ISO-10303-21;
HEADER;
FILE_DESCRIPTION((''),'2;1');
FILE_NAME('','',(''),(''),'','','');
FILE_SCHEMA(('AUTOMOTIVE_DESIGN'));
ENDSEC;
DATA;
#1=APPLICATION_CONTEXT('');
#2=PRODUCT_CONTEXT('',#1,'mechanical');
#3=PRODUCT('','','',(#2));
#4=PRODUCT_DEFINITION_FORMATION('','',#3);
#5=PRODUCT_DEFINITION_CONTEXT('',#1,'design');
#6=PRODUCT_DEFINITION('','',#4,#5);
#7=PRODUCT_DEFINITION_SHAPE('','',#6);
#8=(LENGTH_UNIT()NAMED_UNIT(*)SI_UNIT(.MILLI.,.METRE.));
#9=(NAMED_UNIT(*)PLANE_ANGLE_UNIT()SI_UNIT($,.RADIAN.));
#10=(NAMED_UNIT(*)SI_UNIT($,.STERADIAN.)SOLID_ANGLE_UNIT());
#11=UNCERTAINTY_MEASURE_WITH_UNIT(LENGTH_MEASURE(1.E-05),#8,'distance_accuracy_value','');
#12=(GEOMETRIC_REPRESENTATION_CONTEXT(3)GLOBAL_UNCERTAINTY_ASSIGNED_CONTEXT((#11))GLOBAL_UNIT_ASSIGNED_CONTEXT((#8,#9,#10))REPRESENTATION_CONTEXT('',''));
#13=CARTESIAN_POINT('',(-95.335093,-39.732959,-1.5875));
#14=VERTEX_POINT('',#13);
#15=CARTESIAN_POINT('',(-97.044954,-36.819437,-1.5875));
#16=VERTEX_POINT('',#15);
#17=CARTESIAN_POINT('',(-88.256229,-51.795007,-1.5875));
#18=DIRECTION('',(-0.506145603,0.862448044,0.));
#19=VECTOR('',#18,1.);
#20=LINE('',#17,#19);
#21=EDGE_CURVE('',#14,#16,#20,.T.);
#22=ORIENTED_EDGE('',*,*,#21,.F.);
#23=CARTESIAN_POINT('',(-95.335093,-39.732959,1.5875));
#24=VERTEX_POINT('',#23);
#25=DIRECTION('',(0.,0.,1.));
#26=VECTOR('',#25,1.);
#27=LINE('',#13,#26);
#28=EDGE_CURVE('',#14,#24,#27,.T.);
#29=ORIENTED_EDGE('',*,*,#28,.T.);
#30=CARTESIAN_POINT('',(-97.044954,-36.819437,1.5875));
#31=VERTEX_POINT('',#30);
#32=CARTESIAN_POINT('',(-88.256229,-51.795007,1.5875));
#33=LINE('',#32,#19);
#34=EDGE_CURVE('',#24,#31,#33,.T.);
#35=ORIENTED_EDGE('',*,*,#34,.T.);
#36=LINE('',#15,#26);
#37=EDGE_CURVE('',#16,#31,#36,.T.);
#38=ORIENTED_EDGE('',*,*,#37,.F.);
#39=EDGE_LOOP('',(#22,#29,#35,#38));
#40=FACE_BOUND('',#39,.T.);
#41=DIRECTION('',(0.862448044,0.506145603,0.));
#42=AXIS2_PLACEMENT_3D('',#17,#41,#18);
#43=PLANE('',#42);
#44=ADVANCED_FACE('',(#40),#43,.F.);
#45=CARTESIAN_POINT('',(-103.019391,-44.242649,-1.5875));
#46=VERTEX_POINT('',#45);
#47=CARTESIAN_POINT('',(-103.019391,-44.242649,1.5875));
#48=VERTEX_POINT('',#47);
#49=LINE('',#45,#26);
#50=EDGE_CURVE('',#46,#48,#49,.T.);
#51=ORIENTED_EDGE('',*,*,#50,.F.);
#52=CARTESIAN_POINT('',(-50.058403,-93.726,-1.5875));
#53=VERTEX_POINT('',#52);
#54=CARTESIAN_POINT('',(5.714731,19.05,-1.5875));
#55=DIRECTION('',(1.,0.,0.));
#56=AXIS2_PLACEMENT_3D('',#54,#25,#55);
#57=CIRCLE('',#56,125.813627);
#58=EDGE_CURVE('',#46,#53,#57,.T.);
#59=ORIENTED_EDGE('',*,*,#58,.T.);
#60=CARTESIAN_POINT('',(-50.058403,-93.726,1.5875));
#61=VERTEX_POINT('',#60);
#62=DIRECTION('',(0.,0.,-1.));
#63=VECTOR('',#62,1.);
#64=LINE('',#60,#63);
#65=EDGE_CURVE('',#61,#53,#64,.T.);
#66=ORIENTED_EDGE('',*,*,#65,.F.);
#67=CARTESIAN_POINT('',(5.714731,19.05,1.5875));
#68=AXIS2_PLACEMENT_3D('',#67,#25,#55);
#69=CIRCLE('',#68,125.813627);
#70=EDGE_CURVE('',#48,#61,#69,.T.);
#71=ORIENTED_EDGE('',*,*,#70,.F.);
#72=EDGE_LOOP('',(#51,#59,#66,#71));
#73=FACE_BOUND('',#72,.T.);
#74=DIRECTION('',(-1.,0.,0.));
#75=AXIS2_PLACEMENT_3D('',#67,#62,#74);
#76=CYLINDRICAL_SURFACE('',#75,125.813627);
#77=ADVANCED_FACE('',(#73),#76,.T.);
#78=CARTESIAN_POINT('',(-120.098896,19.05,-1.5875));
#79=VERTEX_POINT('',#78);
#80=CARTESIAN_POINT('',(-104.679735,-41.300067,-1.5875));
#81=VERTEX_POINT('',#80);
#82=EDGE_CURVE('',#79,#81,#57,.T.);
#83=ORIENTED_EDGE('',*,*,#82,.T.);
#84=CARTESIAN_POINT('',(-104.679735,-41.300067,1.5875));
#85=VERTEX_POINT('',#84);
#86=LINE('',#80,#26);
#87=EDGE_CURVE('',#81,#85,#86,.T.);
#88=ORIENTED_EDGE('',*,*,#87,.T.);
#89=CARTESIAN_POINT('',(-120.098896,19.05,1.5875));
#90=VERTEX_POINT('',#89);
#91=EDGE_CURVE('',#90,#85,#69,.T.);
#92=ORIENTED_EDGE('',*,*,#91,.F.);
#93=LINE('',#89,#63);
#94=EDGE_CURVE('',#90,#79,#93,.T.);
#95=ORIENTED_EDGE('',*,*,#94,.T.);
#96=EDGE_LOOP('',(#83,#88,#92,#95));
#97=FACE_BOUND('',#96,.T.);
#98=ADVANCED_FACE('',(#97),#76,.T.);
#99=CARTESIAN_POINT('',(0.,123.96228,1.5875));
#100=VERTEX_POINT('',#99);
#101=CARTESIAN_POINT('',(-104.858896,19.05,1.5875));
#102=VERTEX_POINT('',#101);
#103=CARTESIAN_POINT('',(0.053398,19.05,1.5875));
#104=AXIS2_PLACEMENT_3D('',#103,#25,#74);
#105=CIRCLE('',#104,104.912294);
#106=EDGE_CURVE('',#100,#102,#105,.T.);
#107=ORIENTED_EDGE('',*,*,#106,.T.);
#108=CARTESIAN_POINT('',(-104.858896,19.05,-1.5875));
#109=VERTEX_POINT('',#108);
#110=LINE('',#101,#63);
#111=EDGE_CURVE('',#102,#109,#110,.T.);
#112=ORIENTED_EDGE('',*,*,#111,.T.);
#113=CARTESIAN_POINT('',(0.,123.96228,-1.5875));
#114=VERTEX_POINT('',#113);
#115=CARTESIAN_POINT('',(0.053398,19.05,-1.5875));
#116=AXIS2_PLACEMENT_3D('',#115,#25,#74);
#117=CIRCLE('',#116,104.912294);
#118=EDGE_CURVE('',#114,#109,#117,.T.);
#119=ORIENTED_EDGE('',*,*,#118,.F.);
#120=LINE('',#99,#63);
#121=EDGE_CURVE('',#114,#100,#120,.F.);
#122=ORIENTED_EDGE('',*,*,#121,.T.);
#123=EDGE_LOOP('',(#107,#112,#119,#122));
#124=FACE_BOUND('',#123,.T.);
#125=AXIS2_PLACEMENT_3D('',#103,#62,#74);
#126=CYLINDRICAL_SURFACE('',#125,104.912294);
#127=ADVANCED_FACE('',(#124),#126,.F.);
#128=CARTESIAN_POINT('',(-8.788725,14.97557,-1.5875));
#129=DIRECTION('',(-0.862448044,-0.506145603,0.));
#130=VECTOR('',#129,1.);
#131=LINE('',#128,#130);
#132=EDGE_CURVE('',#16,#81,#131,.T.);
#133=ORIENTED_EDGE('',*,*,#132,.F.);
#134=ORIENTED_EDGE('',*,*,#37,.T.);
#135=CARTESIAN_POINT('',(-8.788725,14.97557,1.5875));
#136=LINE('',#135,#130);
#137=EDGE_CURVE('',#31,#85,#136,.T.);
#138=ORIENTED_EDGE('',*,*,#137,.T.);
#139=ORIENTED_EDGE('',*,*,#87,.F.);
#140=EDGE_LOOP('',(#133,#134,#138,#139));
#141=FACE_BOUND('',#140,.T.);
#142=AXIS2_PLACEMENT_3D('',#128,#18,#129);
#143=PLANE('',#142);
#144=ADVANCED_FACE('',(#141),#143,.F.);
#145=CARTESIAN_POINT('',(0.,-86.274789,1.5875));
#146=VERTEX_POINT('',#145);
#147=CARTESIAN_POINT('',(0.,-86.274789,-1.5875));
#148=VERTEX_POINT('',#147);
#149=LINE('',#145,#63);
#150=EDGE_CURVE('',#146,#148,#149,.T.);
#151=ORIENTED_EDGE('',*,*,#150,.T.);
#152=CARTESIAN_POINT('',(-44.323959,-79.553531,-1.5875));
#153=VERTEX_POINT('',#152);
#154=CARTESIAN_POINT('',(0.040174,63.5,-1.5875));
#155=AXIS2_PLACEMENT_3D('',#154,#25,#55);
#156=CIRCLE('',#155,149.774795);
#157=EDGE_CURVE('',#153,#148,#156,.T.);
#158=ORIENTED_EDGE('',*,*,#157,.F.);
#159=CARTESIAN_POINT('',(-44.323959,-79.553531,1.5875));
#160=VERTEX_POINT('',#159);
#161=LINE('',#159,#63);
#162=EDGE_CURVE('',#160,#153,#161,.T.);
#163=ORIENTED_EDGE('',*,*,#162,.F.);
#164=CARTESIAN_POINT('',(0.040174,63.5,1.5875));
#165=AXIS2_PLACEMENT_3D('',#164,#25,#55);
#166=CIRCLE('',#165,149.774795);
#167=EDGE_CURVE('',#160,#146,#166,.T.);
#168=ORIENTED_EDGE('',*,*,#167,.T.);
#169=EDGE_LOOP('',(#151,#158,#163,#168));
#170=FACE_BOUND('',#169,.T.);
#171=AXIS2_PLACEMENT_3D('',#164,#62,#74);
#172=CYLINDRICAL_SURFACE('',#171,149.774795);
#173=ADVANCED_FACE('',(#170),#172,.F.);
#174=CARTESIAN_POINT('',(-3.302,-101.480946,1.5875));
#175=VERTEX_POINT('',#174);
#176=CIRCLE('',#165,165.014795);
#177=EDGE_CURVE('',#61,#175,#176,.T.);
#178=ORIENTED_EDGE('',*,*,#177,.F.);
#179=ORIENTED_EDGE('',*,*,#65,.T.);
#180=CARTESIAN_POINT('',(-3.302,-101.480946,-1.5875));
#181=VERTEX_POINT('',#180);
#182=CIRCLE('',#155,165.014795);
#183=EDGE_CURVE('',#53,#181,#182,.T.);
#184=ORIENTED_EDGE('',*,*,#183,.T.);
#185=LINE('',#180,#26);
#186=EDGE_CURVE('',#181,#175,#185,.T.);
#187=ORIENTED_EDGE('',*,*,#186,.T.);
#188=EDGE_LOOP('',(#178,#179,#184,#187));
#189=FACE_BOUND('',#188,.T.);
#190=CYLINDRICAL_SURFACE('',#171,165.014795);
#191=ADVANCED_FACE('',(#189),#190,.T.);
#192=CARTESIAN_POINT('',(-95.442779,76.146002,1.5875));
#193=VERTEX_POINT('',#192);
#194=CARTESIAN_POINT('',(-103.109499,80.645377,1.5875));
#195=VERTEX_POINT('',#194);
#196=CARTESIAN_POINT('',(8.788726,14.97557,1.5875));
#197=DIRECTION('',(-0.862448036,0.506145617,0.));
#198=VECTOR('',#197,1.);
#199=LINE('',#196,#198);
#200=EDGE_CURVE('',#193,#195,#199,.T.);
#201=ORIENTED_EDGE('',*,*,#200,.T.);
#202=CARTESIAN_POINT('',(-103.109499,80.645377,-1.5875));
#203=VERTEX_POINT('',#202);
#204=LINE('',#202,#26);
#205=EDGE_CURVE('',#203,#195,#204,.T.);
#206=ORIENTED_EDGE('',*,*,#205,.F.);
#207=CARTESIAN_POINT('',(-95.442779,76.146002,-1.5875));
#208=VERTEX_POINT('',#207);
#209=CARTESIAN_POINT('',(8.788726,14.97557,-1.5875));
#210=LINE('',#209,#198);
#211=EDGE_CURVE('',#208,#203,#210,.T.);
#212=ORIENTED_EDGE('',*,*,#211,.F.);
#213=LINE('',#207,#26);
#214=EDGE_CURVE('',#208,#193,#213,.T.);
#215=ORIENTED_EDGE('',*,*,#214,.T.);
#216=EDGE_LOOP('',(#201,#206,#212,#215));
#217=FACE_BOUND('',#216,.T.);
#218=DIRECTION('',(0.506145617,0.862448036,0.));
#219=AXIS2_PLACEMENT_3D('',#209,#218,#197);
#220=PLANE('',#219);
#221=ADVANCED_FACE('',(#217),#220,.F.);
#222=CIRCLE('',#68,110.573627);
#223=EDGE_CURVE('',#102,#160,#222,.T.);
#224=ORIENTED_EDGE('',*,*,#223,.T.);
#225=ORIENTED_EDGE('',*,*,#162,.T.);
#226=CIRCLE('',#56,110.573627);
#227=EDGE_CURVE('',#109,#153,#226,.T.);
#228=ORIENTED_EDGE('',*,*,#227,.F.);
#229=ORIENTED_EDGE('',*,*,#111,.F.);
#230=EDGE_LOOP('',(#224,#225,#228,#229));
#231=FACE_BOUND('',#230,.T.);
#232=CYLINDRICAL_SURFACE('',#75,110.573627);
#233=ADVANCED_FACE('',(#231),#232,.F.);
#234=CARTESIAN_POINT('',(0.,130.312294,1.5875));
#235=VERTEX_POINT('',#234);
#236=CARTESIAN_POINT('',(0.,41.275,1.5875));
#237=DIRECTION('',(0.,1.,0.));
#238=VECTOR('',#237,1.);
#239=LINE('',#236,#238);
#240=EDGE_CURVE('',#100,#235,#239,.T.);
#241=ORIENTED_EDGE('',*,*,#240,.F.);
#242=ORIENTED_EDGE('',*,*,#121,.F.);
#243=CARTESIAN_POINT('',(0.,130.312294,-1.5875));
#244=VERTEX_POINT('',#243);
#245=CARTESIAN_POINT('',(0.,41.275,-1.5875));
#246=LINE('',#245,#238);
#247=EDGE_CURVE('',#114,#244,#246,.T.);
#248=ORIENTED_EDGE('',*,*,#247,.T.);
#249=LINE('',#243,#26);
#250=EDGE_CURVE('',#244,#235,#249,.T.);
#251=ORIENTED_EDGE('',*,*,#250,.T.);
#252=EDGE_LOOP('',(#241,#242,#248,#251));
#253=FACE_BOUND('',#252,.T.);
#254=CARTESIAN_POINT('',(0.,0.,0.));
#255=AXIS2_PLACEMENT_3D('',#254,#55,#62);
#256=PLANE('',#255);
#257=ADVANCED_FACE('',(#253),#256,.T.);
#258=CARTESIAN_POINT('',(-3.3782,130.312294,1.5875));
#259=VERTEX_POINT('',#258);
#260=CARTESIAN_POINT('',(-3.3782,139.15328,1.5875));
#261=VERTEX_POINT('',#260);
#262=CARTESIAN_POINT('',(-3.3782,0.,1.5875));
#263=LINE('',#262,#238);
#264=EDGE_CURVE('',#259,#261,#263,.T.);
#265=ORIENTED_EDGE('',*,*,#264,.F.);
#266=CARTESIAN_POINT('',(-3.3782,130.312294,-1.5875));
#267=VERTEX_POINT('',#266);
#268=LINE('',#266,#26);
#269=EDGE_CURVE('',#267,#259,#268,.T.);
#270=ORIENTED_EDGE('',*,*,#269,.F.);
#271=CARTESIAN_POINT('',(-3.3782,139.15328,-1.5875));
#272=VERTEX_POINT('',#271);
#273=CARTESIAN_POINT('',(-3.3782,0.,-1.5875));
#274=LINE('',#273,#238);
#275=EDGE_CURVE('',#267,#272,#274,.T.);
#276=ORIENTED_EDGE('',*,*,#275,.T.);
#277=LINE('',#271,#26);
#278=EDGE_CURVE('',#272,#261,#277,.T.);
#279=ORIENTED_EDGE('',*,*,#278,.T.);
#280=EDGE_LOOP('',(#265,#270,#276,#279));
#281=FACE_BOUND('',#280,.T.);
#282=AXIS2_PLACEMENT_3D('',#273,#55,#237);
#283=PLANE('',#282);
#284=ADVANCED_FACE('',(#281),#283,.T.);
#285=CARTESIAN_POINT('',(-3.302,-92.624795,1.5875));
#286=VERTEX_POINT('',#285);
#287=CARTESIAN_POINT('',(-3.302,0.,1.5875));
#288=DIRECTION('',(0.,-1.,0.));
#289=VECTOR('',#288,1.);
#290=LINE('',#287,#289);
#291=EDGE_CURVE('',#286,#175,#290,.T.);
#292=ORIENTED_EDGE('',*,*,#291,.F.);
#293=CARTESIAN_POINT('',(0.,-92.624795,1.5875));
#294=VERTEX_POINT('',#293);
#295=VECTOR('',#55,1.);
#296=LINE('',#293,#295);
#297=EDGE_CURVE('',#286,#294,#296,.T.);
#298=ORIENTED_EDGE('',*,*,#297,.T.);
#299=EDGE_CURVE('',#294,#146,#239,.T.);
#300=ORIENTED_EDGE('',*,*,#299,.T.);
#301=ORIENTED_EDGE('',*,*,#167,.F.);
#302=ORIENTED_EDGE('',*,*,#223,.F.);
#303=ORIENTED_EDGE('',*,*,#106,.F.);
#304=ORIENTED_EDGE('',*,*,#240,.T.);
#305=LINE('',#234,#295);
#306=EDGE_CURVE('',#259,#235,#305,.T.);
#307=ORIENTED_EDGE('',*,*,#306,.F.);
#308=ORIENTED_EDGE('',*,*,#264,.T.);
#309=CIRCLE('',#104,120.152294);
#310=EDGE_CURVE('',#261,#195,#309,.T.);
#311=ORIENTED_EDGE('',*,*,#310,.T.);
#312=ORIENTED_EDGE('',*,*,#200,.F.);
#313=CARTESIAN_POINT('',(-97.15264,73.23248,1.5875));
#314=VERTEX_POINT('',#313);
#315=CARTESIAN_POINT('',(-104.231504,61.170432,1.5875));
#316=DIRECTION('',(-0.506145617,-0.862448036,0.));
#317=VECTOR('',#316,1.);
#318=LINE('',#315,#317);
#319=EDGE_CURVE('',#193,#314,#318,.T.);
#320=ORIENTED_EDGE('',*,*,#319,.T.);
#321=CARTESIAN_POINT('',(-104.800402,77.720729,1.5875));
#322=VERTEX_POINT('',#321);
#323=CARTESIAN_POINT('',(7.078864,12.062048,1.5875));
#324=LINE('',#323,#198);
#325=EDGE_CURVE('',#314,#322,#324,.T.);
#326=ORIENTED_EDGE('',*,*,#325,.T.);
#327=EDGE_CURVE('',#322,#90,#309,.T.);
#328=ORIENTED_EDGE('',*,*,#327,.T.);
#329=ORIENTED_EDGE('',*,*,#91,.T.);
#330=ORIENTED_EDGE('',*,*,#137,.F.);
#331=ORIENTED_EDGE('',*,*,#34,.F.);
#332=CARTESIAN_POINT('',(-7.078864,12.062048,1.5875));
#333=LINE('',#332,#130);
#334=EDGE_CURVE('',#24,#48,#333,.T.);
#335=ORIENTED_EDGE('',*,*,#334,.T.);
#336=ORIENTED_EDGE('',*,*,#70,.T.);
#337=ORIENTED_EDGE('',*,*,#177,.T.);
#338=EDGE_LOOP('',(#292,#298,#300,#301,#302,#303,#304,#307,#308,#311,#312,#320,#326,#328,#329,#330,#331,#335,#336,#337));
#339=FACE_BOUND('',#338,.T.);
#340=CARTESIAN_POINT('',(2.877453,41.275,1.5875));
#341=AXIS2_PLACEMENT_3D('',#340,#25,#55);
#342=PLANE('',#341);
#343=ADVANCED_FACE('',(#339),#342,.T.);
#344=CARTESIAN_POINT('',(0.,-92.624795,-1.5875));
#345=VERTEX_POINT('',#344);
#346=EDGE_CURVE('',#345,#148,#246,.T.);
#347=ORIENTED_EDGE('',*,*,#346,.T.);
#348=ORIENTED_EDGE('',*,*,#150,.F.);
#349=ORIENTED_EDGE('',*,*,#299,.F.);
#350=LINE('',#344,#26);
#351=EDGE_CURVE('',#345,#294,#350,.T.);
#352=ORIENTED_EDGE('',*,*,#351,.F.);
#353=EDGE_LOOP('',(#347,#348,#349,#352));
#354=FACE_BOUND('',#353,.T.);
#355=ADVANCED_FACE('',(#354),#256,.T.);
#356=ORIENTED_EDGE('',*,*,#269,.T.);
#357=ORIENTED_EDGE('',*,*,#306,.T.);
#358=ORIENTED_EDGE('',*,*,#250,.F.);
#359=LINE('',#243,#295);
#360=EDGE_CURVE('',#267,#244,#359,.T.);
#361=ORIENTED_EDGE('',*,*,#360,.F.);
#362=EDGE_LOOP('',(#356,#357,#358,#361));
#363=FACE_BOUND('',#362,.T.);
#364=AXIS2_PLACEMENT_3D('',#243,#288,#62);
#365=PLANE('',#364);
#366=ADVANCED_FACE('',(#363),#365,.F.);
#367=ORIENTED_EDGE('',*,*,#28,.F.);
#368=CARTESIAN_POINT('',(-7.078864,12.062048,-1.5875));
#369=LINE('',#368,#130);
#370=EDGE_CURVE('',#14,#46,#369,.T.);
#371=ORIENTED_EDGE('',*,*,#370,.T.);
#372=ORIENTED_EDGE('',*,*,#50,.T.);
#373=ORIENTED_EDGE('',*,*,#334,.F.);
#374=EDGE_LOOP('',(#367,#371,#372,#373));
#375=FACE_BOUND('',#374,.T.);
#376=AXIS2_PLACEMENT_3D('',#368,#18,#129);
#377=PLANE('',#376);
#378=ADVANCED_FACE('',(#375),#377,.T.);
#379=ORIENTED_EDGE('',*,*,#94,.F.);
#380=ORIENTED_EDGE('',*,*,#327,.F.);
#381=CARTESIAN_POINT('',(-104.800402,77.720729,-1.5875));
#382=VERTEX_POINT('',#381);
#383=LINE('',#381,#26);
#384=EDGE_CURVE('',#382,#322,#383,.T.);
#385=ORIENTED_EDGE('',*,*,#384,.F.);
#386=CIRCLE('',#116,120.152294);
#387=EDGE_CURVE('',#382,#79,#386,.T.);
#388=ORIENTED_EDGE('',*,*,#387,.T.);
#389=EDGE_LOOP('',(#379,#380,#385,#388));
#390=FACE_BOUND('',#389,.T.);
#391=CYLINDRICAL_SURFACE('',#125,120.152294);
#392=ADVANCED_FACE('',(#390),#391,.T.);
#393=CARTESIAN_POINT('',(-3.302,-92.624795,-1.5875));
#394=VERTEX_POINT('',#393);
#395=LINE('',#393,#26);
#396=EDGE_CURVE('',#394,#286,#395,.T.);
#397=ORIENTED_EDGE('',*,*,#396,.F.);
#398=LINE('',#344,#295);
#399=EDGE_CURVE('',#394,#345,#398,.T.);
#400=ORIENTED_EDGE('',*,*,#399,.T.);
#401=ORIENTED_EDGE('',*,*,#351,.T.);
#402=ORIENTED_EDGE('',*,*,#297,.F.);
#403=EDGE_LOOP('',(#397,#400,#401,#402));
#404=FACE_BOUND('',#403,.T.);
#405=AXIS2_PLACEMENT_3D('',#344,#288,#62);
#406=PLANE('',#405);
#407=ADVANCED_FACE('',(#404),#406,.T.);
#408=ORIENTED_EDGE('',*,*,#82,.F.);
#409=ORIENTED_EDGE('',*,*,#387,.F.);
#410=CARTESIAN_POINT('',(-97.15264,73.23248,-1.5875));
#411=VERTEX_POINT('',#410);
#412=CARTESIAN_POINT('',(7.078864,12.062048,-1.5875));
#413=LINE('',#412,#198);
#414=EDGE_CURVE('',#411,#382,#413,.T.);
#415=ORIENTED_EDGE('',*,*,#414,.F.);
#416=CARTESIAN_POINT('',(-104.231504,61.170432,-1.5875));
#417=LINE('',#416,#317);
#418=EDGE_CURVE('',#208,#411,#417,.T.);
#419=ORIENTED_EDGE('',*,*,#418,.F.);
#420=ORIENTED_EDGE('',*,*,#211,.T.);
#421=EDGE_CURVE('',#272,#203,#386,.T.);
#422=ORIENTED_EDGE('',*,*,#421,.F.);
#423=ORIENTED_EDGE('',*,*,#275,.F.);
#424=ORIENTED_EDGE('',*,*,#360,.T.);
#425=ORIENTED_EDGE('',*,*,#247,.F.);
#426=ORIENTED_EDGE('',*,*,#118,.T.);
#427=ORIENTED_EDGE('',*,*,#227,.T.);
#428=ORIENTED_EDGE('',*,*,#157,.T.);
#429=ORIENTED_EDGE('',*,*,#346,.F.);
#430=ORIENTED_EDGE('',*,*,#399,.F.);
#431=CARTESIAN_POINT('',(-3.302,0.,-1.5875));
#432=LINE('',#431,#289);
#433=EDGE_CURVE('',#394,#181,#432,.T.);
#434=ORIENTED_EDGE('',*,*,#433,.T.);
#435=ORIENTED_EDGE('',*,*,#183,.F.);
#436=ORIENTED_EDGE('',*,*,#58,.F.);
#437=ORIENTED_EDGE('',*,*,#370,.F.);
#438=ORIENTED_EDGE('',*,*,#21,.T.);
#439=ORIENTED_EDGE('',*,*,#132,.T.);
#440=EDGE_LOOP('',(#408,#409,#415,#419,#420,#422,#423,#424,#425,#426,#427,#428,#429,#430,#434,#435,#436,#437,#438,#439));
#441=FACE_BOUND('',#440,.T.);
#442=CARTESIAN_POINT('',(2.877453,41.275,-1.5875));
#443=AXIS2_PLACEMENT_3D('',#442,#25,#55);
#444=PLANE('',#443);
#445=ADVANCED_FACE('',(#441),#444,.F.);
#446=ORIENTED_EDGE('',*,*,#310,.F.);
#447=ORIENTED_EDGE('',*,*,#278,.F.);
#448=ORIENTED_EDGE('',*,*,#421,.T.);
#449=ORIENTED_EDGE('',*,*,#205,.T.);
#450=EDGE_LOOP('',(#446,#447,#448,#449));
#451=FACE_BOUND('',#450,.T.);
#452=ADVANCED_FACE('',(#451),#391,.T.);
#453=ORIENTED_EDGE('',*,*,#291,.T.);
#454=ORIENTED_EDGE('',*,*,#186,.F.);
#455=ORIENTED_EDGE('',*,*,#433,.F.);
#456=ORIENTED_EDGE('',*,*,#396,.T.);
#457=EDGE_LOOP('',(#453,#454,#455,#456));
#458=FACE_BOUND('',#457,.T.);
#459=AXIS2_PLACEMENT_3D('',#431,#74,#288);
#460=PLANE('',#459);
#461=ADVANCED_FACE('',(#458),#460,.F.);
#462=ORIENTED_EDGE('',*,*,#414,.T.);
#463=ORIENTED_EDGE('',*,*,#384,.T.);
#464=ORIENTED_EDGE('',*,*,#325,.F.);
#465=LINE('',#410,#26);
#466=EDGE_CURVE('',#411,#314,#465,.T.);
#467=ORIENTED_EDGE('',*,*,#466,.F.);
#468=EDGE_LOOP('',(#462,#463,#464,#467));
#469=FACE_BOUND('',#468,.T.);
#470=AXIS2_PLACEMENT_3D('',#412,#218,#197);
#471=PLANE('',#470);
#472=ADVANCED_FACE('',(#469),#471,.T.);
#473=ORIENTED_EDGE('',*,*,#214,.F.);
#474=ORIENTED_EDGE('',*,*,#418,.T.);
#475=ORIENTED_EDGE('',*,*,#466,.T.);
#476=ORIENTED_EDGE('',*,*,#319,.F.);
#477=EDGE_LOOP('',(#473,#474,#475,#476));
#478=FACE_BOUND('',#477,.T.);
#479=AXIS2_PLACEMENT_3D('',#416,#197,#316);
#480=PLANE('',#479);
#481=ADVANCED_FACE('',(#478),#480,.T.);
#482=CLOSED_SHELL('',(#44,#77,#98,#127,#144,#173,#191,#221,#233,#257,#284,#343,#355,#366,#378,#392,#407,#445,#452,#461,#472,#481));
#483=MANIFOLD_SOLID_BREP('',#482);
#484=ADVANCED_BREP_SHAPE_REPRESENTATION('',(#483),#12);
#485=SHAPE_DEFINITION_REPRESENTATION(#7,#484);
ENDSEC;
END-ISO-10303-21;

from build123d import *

# Parameters (mm, degrees)
BOSS_EXTRUDE1_DEPTH = 1.5875
SKETCH3_W           = 208.645691316
SKETCH3_H           = 383.026987577
CUT_EXTRUDE1_DEPTH  = 121.20569203
CUT_EXTRUDE2_DEPTH  = 4.175


with BuildPart() as part:
    # Sketch2 → Boss-Extrude1 (new body, symmetric)
    with BuildSketch(Plane.XY):
        with BuildLine():
            ThreePointArc((-120.098895727, 19.05), (0.406748907, 139.2017743), (120.203613722, 18.343301545))
            ThreePointArc((120.203613722, 18.343301545), (101.067699546, -47.629728931), (50.138751442, -93.726))
            ThreePointArc((50.138751442, -93.726), (0.040174098, -101.514794876), (-50.058403246, -93.726))
            ThreePointArc((-50.058403246, -93.726), (-101.163912713, -47.327889321), (-120.098895727, 19.05))
        make_face()
        with BuildLine():
            ThreePointArc((-104.858895727, 19.05), (0.361930242, 123.961840203), (104.963877332, 18.432938489))
            ThreePointArc((104.963877332, 18.432938489), (88.446745877, -39.065849025), (44.40486057, -79.553359885))
            ThreePointArc((44.40486057, -79.553359885), (0.040463589, -86.274794876), (-44.323959374, -79.553531384))
            ThreePointArc((-44.323959374, -79.553531384), (-88.517658334, -38.801393502), (-104.858895727, 19.05))
        make_face(mode=Mode.SUBTRACT)
    extrude(amount=BOSS_EXTRUDE1_DEPTH, both=True)

    # Sketch3 → Cut-Extrude1 (cut, through all)
    with BuildSketch(Plane(origin=(0, 0, 0), x_dir=(0, 0, -1), z_dir=(1, 0, 0))):
        with Locations((4.266053154, 20.866300598)):
            Rectangle(SKETCH3_W, SKETCH3_H)
    extrude(amount=CUT_EXTRUDE1_DEPTH, mode=Mode.SUBTRACT)

    # Sketch4 → Cut-Extrude2 (cut, through all)
    with BuildSketch(Plane.XY.offset(1.5875)):
        with BuildLine():
            Line((-95.442778735, 76.146002016), (-103.1094988, 80.645376586))
            ThreePointArc((-103.1094988, 80.645376586), (-103.96522962, 79.188995674), (-104.80040165, 77.720728574))
            Line((-104.80040165, 77.720728574), (-97.152639859, 73.232480062))
            Line((-97.152639859, 73.232480062), (-95.442778735, 76.146002016))
        make_face()
        with BuildLine():
            Line((-3.3782, 139.153279965), (-3.3782, 130.312293878))
            Line((-3.3782, 130.312293878), (0, 130.312293878))
            Line((0, 130.312293878), (0, 139.202282013))
            ThreePointArc((0, 139.202282013), (-1.689272244, 139.189655502), (-3.3782, 139.153279965))
        make_face()
        with BuildLine():
            Line((-97.044954451, -36.819436689), (-104.679734985, -41.300066711))
            ThreePointArc((-104.679734985, -41.300066711), (-103.859441192, -42.776931517), (-103.019390964, -44.242648808))
            Line((-103.019390964, -44.242648808), (-95.335093375, -39.732958671))
            Line((-95.335093375, -39.732958671), (-97.044954451, -36.819436689))
        make_face()
        with BuildLine():
            Line((-3.302, -92.624794876), (-3.302, -101.48094955))
            ThreePointArc((-3.302, -101.48094955), (-1.651084663, -101.506132106), (0, -101.514794876))
            Line((0, -101.514794876), (0, -92.624794876))
            Line((0, -92.624794876), (-3.302, -92.624794876))
        make_face()
    extrude(amount=-CUT_EXTRUDE2_DEPTH, mode=Mode.SUBTRACT)


solid = part.part
